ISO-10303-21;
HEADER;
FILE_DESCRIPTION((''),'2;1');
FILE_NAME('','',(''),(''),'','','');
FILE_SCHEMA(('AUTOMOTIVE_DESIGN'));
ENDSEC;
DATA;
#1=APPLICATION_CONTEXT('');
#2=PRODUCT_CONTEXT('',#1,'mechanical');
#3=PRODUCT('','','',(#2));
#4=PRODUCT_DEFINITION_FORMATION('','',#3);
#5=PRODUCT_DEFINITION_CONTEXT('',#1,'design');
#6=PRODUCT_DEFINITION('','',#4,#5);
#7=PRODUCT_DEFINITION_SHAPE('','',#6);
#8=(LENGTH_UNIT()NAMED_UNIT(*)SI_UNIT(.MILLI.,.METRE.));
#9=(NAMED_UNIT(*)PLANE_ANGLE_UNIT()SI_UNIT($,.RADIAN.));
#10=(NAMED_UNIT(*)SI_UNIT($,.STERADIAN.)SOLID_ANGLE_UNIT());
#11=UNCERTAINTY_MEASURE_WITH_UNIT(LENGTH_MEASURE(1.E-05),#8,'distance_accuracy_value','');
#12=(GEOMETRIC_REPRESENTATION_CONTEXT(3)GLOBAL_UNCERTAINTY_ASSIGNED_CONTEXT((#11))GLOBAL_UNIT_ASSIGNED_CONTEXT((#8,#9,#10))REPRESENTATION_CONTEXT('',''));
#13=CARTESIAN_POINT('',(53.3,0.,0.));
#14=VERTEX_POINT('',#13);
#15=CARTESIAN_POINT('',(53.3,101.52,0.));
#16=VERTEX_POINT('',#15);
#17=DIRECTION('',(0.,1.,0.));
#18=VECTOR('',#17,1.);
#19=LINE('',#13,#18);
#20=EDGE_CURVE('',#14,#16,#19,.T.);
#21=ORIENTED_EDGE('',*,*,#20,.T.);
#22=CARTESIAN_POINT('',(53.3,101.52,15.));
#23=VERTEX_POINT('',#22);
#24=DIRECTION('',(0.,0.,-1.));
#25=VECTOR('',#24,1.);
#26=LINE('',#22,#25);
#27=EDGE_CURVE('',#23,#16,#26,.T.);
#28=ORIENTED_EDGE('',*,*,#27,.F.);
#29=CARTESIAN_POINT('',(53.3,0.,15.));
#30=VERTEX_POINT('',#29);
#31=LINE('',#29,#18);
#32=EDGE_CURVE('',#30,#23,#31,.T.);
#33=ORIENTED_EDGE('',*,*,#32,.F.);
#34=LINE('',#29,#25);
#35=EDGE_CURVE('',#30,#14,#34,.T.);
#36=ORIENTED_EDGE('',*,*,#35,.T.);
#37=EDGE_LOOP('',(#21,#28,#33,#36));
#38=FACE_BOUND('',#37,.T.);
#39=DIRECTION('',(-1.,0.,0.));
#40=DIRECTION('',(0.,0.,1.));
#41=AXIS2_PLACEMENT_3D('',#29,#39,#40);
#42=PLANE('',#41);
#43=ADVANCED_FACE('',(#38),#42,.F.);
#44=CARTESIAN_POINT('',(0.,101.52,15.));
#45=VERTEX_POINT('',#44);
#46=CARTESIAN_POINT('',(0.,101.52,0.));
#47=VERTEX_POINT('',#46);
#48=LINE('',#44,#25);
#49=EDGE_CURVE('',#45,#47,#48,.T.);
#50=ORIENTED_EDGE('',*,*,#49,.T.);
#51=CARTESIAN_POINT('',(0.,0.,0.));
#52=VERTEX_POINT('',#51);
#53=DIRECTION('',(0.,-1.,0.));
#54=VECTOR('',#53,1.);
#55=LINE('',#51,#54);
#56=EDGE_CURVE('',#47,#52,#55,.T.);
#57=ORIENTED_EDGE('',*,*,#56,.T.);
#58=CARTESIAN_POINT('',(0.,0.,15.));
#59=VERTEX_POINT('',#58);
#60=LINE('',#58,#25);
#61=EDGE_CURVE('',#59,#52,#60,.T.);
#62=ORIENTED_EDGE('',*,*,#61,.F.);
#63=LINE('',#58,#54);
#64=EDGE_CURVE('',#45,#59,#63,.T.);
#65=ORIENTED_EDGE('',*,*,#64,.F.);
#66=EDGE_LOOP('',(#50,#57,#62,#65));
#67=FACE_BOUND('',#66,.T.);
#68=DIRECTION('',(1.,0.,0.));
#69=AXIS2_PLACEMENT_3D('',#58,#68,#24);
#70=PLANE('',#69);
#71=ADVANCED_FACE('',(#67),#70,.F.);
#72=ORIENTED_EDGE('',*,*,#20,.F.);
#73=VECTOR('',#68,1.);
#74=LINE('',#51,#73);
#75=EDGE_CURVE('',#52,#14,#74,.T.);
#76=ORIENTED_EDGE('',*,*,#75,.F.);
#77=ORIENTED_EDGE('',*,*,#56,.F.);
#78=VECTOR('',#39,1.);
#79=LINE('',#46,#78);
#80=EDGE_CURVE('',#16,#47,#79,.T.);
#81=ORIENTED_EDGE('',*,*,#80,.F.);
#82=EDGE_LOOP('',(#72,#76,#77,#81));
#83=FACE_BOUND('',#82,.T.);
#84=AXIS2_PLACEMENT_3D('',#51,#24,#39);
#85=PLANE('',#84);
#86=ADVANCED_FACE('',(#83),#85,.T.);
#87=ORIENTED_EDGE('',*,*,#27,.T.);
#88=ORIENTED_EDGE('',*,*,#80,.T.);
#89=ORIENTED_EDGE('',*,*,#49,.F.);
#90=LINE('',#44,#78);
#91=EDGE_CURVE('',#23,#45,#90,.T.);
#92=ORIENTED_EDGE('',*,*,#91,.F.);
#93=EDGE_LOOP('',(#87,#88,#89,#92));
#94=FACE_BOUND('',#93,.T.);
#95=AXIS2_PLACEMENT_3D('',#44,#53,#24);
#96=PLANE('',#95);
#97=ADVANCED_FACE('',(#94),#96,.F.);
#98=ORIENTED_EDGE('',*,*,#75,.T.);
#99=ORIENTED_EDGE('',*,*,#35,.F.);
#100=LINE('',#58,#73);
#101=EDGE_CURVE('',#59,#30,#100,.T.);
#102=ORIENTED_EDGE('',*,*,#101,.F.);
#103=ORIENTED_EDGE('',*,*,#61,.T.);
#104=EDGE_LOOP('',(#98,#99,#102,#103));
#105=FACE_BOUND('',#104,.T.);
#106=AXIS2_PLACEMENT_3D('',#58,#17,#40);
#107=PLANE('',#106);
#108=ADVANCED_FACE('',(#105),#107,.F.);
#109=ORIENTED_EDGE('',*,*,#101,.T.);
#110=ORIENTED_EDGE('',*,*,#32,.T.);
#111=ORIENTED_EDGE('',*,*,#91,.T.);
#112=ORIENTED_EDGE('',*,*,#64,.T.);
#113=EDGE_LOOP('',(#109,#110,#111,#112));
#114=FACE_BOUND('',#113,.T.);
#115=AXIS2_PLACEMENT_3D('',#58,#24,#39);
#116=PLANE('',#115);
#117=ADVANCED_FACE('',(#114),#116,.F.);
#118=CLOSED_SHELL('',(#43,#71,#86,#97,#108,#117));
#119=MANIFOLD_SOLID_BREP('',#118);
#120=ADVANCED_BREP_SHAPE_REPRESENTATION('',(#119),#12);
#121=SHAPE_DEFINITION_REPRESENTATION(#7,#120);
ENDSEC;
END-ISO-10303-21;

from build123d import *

# Parameters (mm, degrees)
SZKIC1_W                    = 53.3
SZKIC1_H                    = 101.52
DODANIE_WYCI_GNI_CIE1_DEPTH = 15


with BuildPart() as part:
    # Szkic1 → Dodanie-wyciągnięcie1 (new body)
    with BuildSketch(Plane.XY):
        with Locations((26.65, 50.76)):
            Rectangle(SZKIC1_W, SZKIC1_H)
    extrude(amount=DODANIE_WYCI_GNI_CIE1_DEPTH)


solid = part.part
